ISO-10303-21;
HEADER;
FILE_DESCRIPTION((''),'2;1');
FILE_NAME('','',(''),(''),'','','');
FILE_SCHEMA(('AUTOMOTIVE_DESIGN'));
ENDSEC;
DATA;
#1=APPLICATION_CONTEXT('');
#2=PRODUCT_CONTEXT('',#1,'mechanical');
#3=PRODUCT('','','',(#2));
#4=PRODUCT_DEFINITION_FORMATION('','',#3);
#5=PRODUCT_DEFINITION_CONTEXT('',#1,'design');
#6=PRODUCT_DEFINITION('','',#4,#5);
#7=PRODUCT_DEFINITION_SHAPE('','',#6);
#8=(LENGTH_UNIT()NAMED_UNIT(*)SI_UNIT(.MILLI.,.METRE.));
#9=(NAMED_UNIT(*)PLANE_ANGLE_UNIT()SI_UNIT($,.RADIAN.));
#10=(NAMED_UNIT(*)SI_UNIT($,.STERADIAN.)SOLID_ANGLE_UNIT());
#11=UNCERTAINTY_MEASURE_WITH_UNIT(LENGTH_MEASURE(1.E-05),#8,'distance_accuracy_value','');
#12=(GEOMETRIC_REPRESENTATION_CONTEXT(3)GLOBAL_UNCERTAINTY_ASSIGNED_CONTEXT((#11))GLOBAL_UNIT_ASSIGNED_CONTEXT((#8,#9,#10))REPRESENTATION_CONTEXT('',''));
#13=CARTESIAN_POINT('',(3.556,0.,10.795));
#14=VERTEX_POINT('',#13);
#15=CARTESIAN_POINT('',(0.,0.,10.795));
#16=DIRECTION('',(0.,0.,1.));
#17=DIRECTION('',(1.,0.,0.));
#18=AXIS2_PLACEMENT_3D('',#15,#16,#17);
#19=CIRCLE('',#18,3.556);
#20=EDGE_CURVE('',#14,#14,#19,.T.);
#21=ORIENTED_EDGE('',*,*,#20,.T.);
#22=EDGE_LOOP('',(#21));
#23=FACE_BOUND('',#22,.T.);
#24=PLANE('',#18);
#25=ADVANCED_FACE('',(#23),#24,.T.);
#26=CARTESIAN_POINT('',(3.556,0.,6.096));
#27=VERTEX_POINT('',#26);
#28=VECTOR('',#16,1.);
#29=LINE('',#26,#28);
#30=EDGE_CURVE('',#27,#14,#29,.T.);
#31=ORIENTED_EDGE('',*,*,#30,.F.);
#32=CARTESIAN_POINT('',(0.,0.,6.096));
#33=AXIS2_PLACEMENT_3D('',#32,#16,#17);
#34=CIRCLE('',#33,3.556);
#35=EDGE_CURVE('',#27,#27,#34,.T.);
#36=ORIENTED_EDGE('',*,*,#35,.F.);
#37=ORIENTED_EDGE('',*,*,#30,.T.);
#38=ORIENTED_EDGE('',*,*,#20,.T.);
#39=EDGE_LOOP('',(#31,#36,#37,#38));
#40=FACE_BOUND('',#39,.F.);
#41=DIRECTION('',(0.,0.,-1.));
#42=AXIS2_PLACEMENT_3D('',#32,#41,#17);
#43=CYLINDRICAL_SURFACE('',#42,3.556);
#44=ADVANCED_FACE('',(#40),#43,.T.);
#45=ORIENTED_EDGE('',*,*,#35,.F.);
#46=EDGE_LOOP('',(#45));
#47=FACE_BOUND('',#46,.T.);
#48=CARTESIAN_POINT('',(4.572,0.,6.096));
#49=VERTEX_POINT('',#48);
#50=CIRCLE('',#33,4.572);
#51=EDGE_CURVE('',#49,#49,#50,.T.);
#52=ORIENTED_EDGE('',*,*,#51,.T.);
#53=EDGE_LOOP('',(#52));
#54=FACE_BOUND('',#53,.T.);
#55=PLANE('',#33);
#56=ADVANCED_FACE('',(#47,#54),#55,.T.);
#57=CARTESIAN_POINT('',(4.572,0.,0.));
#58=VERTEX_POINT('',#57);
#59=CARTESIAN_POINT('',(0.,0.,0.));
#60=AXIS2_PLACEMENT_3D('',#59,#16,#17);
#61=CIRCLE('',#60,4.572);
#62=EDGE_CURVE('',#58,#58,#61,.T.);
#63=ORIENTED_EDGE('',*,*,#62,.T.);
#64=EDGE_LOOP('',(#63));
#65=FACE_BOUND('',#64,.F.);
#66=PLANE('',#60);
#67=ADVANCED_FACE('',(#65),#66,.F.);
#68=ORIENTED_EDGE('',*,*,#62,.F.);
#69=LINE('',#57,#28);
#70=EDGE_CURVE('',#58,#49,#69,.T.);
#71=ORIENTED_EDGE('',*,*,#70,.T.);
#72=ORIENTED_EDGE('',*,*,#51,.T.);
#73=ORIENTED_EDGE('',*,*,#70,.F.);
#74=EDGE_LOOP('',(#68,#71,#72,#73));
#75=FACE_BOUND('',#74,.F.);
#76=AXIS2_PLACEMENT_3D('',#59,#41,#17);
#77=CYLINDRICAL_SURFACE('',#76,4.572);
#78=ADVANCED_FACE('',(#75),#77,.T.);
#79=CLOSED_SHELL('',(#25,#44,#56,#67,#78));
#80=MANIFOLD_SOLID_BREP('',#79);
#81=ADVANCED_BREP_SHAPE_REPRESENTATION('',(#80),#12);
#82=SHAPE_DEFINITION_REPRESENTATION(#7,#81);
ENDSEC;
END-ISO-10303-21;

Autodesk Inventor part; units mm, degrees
ref_plane "YZ Plane" through (0, 0, 0) normal (1, 0, 0) x (0, 1, 0)
ref_plane "XZ Plane" through (0, 0, 0) normal (0, 1, 0) x (-1, 0, 0)
ref_plane "XY Plane" through (0, 0, 0) normal (0, 0, 1) x (1, 0, 0)
sketch "Sketch1" plane through (0, 0, 0) normal (0, 0, 1) x (1, 0, 0)
  circle A0 centre (0, 0) radius 4.572
  dimension "d0" = 9.144
extrude "Extrusion1" add sketch "Sketch1" along normal blind 6.096
sketch "Sketch2" plane through (0, 0, 6.096) normal (0, 0, 1) x (1, 0, 0)
  circle A0 centre (0, 0) radius 3.556
  dimension "d3" = 7.112
extrude "Extrusion2" add sketch "Sketch2" along normal blind 4.699
properties part number "testPinion" material "Steel, Carbon"
